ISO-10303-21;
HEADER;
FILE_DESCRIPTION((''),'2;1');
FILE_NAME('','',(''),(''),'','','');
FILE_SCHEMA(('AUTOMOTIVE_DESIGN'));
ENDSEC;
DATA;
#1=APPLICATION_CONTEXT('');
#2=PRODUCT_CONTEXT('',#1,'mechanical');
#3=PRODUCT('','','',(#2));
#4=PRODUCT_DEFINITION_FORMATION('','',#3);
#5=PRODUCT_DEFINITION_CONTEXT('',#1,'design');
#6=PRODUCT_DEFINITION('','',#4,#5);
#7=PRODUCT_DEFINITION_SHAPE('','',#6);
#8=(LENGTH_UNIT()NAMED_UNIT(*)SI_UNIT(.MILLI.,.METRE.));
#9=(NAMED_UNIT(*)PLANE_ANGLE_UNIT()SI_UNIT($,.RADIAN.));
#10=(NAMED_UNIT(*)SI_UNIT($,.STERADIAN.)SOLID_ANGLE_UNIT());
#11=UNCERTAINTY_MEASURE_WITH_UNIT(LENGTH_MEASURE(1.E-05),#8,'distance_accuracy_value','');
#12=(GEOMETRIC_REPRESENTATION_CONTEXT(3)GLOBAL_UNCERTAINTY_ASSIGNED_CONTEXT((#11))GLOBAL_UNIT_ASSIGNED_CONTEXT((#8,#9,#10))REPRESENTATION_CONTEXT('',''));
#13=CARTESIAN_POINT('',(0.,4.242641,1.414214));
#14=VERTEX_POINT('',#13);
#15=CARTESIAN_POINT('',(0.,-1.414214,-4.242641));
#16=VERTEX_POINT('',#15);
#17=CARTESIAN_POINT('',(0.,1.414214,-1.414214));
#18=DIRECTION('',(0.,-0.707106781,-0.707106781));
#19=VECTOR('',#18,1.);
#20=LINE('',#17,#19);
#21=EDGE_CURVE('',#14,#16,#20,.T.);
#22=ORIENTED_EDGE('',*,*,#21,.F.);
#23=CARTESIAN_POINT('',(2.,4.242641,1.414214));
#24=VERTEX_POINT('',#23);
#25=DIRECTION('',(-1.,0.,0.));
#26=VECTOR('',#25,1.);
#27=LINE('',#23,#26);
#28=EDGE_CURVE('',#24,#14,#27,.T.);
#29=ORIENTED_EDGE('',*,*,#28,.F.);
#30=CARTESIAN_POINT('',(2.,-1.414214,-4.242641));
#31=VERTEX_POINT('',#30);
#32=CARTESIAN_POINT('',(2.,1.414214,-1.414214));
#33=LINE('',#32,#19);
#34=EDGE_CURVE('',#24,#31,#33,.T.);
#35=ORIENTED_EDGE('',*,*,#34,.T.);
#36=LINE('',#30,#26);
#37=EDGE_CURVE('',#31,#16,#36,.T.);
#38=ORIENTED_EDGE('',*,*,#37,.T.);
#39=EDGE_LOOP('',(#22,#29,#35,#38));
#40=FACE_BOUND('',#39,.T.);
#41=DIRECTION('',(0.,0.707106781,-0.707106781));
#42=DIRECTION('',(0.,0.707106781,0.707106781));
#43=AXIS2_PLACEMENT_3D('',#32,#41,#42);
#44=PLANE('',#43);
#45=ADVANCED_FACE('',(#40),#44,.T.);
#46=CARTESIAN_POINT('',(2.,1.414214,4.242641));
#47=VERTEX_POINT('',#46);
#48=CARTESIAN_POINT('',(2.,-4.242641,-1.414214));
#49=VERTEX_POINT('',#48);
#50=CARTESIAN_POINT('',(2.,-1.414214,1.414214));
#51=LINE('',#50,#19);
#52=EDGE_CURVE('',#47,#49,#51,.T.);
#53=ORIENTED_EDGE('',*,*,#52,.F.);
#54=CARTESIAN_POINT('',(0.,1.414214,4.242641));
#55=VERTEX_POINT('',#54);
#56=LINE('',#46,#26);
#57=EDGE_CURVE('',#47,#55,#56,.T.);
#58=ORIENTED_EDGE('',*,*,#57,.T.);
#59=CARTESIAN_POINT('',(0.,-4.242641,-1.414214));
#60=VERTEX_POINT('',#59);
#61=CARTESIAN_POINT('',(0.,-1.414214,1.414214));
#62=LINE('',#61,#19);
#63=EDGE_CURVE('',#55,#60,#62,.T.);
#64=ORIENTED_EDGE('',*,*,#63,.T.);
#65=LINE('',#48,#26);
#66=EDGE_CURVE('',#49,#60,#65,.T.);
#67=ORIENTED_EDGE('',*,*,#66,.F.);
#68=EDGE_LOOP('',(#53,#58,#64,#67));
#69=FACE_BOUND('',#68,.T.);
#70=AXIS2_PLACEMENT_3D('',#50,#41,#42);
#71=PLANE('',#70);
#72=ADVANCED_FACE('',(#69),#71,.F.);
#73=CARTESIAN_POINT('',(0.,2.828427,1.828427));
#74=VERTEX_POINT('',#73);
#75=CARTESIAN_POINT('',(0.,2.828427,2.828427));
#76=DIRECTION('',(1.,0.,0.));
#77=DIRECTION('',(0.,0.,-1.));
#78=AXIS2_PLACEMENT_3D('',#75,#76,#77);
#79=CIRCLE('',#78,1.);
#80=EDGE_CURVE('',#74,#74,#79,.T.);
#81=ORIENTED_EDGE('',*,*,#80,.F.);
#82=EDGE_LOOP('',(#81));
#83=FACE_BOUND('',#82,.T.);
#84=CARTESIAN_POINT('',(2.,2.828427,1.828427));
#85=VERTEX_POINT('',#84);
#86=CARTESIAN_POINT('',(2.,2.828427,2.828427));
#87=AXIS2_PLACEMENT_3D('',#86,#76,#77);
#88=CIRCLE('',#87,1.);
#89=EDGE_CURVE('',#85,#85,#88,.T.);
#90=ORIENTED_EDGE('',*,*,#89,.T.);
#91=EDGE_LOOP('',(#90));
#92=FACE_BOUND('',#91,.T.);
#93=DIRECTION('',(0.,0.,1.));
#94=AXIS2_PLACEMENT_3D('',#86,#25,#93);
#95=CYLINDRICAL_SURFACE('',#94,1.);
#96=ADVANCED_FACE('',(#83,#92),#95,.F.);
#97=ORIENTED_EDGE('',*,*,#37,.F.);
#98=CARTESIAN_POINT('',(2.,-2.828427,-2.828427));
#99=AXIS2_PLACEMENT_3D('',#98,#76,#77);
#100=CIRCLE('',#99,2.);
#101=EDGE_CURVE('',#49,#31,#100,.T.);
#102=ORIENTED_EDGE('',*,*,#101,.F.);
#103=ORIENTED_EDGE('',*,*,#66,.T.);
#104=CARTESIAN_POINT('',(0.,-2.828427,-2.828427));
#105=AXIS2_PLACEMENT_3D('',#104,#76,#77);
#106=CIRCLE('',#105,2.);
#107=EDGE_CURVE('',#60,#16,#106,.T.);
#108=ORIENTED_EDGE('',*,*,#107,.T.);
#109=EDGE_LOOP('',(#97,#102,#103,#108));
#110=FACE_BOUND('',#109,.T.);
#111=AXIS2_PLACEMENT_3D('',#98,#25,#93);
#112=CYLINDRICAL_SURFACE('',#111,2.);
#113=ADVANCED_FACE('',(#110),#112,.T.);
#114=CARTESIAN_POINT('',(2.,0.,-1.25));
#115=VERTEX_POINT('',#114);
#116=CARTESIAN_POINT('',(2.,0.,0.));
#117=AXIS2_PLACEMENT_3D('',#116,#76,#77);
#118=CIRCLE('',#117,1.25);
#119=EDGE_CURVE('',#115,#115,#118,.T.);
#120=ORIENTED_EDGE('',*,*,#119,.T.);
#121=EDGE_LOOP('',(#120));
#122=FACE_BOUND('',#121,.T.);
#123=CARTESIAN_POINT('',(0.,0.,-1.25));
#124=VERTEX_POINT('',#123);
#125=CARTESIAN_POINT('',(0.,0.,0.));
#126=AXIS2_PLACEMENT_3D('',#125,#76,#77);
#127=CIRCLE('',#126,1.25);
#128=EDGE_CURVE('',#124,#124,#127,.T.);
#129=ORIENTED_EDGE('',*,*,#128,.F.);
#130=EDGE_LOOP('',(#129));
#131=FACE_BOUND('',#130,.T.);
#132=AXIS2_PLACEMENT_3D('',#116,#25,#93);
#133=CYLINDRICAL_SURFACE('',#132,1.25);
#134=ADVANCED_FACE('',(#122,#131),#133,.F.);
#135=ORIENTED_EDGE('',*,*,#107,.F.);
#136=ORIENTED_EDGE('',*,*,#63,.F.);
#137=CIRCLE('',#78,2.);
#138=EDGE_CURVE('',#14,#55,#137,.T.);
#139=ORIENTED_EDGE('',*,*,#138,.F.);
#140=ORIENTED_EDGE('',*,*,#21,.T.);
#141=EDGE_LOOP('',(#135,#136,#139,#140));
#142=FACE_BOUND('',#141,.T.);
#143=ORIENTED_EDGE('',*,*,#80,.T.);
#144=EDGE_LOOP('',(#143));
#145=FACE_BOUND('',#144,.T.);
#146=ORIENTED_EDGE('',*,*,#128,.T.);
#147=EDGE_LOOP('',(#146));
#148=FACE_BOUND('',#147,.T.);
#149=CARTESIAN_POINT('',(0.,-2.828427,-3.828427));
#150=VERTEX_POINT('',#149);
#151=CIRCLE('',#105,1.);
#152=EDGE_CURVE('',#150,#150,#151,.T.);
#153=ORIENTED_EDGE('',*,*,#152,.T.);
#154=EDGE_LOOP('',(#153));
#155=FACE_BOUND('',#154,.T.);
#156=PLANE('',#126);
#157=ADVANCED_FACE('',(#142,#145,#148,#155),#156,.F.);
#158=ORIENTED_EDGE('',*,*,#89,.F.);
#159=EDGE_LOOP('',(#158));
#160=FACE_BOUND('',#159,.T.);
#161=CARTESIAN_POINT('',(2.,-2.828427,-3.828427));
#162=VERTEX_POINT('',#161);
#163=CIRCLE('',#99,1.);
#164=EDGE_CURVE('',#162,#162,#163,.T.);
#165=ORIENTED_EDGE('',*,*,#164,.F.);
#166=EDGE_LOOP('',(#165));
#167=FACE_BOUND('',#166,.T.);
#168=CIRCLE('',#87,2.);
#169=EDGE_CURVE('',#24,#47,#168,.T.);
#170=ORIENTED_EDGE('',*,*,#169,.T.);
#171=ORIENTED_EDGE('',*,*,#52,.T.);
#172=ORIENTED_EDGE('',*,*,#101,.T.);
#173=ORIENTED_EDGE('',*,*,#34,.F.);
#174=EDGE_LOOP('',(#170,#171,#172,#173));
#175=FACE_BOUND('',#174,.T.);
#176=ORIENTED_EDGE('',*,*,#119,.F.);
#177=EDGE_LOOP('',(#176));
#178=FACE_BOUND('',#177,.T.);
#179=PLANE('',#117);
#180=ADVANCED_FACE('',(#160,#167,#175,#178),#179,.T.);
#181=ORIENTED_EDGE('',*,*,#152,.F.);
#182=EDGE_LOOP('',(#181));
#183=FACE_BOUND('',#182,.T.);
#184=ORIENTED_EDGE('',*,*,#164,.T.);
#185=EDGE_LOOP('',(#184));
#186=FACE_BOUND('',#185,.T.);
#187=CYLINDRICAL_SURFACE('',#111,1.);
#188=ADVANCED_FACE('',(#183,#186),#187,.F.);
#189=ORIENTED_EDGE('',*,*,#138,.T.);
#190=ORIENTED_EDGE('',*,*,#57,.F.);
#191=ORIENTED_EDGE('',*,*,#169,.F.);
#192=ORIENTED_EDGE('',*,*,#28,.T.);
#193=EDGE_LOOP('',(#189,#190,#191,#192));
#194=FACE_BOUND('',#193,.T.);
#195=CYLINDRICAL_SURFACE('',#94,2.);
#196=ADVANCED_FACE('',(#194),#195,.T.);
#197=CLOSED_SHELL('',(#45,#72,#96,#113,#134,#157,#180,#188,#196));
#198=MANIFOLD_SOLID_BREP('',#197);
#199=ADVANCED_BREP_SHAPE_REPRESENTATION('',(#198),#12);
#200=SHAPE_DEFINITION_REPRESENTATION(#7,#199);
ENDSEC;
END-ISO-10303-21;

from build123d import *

# Parameters (mm, degrees)
SKETCH1_R           = 1
SKETCH1_R_2         = 1.25
BOSS_EXTRUDE1_DEPTH = 2


with BuildPart() as part:
    # Sketch1 → Boss-Extrude1 (new body)
    with BuildSketch(Plane(origin=(0, 0, 0), x_dir=(0, 0, -1), z_dir=(1, 0, 0))):
        with BuildLine():
            ThreePointArc((-1.414213562, 4.242640687), (-4.242640687, 4.242640687), (-4.242640687, 1.414213562))
            Line((-4.242640687, 1.414213562), (1.414213562, -4.242640687))
            ThreePointArc((1.414213562, -4.242640687), (4.242640687, -4.242640687), (4.242640687, -1.414213562))
            Line((4.242640687, -1.414213562), (-1.414213562, 4.242640687))
        make_face()
        with Locations((2.828427125, -2.828427125)):
            Circle(SKETCH1_R, mode=Mode.SUBTRACT)
        with Locations((-2.828427125, 2.828427125)):
            Circle(SKETCH1_R, mode=Mode.SUBTRACT)
        Circle(SKETCH1_R_2, mode=Mode.SUBTRACT)
    extrude(amount=BOSS_EXTRUDE1_DEPTH)


solid = part.part
